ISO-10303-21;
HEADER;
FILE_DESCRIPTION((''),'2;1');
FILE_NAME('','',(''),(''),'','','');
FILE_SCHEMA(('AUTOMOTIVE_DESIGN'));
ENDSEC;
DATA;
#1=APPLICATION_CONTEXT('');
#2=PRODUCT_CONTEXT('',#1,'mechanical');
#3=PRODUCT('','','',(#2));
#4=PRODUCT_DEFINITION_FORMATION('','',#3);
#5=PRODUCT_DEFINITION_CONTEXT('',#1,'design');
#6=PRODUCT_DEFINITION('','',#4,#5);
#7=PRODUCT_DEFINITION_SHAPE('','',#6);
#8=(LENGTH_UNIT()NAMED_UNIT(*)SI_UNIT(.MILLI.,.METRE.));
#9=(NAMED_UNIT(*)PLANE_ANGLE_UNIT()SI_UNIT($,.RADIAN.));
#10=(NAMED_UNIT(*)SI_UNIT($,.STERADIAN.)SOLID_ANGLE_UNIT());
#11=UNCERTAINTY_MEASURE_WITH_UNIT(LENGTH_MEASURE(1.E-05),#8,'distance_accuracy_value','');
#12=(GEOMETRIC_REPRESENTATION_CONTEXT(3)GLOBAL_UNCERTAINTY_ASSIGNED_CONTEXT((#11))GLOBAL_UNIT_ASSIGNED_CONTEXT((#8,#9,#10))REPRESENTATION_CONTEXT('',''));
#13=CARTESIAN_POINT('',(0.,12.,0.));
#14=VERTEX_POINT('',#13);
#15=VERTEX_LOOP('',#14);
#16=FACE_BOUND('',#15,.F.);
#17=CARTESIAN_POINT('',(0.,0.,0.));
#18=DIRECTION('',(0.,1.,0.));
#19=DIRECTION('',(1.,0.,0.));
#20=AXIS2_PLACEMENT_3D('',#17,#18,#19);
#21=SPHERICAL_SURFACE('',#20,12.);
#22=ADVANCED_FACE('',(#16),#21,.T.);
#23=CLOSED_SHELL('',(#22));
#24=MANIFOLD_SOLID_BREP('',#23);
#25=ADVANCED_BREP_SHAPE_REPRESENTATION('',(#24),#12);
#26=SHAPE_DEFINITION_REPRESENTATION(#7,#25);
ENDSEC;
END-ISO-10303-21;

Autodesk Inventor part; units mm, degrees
ref_plane "YZ Plane" through (0, 0, 0) normal (1, 0, 0) x (0, 1, 0)
ref_plane "XZ Plane" through (0, 0, 0) normal (0, 1, 0) x (-1, 0, 0)
ref_plane "XY Plane" through (0, 0, 0) normal (0, 0, 1) x (1, 0, 0)
sketch "Sketch1" plane through (0, 0, 0) normal (0, 0, 1) x (1, 0, 0)
  arc A0 (0, -12) -> (0, 12) centre (0, 0) ccw
  line L0 (0, 12) -> (0, -12) construction
  line L1 (0, 12) -> (0, -12)
  point P0 (12, 0)
  dimension "d1" = 12
revolve "Revolution1" add sketch "Sketch1" angle 360 about axis through (0, 12, 0) along (0, -1, 0)
properties part number "Ball"
